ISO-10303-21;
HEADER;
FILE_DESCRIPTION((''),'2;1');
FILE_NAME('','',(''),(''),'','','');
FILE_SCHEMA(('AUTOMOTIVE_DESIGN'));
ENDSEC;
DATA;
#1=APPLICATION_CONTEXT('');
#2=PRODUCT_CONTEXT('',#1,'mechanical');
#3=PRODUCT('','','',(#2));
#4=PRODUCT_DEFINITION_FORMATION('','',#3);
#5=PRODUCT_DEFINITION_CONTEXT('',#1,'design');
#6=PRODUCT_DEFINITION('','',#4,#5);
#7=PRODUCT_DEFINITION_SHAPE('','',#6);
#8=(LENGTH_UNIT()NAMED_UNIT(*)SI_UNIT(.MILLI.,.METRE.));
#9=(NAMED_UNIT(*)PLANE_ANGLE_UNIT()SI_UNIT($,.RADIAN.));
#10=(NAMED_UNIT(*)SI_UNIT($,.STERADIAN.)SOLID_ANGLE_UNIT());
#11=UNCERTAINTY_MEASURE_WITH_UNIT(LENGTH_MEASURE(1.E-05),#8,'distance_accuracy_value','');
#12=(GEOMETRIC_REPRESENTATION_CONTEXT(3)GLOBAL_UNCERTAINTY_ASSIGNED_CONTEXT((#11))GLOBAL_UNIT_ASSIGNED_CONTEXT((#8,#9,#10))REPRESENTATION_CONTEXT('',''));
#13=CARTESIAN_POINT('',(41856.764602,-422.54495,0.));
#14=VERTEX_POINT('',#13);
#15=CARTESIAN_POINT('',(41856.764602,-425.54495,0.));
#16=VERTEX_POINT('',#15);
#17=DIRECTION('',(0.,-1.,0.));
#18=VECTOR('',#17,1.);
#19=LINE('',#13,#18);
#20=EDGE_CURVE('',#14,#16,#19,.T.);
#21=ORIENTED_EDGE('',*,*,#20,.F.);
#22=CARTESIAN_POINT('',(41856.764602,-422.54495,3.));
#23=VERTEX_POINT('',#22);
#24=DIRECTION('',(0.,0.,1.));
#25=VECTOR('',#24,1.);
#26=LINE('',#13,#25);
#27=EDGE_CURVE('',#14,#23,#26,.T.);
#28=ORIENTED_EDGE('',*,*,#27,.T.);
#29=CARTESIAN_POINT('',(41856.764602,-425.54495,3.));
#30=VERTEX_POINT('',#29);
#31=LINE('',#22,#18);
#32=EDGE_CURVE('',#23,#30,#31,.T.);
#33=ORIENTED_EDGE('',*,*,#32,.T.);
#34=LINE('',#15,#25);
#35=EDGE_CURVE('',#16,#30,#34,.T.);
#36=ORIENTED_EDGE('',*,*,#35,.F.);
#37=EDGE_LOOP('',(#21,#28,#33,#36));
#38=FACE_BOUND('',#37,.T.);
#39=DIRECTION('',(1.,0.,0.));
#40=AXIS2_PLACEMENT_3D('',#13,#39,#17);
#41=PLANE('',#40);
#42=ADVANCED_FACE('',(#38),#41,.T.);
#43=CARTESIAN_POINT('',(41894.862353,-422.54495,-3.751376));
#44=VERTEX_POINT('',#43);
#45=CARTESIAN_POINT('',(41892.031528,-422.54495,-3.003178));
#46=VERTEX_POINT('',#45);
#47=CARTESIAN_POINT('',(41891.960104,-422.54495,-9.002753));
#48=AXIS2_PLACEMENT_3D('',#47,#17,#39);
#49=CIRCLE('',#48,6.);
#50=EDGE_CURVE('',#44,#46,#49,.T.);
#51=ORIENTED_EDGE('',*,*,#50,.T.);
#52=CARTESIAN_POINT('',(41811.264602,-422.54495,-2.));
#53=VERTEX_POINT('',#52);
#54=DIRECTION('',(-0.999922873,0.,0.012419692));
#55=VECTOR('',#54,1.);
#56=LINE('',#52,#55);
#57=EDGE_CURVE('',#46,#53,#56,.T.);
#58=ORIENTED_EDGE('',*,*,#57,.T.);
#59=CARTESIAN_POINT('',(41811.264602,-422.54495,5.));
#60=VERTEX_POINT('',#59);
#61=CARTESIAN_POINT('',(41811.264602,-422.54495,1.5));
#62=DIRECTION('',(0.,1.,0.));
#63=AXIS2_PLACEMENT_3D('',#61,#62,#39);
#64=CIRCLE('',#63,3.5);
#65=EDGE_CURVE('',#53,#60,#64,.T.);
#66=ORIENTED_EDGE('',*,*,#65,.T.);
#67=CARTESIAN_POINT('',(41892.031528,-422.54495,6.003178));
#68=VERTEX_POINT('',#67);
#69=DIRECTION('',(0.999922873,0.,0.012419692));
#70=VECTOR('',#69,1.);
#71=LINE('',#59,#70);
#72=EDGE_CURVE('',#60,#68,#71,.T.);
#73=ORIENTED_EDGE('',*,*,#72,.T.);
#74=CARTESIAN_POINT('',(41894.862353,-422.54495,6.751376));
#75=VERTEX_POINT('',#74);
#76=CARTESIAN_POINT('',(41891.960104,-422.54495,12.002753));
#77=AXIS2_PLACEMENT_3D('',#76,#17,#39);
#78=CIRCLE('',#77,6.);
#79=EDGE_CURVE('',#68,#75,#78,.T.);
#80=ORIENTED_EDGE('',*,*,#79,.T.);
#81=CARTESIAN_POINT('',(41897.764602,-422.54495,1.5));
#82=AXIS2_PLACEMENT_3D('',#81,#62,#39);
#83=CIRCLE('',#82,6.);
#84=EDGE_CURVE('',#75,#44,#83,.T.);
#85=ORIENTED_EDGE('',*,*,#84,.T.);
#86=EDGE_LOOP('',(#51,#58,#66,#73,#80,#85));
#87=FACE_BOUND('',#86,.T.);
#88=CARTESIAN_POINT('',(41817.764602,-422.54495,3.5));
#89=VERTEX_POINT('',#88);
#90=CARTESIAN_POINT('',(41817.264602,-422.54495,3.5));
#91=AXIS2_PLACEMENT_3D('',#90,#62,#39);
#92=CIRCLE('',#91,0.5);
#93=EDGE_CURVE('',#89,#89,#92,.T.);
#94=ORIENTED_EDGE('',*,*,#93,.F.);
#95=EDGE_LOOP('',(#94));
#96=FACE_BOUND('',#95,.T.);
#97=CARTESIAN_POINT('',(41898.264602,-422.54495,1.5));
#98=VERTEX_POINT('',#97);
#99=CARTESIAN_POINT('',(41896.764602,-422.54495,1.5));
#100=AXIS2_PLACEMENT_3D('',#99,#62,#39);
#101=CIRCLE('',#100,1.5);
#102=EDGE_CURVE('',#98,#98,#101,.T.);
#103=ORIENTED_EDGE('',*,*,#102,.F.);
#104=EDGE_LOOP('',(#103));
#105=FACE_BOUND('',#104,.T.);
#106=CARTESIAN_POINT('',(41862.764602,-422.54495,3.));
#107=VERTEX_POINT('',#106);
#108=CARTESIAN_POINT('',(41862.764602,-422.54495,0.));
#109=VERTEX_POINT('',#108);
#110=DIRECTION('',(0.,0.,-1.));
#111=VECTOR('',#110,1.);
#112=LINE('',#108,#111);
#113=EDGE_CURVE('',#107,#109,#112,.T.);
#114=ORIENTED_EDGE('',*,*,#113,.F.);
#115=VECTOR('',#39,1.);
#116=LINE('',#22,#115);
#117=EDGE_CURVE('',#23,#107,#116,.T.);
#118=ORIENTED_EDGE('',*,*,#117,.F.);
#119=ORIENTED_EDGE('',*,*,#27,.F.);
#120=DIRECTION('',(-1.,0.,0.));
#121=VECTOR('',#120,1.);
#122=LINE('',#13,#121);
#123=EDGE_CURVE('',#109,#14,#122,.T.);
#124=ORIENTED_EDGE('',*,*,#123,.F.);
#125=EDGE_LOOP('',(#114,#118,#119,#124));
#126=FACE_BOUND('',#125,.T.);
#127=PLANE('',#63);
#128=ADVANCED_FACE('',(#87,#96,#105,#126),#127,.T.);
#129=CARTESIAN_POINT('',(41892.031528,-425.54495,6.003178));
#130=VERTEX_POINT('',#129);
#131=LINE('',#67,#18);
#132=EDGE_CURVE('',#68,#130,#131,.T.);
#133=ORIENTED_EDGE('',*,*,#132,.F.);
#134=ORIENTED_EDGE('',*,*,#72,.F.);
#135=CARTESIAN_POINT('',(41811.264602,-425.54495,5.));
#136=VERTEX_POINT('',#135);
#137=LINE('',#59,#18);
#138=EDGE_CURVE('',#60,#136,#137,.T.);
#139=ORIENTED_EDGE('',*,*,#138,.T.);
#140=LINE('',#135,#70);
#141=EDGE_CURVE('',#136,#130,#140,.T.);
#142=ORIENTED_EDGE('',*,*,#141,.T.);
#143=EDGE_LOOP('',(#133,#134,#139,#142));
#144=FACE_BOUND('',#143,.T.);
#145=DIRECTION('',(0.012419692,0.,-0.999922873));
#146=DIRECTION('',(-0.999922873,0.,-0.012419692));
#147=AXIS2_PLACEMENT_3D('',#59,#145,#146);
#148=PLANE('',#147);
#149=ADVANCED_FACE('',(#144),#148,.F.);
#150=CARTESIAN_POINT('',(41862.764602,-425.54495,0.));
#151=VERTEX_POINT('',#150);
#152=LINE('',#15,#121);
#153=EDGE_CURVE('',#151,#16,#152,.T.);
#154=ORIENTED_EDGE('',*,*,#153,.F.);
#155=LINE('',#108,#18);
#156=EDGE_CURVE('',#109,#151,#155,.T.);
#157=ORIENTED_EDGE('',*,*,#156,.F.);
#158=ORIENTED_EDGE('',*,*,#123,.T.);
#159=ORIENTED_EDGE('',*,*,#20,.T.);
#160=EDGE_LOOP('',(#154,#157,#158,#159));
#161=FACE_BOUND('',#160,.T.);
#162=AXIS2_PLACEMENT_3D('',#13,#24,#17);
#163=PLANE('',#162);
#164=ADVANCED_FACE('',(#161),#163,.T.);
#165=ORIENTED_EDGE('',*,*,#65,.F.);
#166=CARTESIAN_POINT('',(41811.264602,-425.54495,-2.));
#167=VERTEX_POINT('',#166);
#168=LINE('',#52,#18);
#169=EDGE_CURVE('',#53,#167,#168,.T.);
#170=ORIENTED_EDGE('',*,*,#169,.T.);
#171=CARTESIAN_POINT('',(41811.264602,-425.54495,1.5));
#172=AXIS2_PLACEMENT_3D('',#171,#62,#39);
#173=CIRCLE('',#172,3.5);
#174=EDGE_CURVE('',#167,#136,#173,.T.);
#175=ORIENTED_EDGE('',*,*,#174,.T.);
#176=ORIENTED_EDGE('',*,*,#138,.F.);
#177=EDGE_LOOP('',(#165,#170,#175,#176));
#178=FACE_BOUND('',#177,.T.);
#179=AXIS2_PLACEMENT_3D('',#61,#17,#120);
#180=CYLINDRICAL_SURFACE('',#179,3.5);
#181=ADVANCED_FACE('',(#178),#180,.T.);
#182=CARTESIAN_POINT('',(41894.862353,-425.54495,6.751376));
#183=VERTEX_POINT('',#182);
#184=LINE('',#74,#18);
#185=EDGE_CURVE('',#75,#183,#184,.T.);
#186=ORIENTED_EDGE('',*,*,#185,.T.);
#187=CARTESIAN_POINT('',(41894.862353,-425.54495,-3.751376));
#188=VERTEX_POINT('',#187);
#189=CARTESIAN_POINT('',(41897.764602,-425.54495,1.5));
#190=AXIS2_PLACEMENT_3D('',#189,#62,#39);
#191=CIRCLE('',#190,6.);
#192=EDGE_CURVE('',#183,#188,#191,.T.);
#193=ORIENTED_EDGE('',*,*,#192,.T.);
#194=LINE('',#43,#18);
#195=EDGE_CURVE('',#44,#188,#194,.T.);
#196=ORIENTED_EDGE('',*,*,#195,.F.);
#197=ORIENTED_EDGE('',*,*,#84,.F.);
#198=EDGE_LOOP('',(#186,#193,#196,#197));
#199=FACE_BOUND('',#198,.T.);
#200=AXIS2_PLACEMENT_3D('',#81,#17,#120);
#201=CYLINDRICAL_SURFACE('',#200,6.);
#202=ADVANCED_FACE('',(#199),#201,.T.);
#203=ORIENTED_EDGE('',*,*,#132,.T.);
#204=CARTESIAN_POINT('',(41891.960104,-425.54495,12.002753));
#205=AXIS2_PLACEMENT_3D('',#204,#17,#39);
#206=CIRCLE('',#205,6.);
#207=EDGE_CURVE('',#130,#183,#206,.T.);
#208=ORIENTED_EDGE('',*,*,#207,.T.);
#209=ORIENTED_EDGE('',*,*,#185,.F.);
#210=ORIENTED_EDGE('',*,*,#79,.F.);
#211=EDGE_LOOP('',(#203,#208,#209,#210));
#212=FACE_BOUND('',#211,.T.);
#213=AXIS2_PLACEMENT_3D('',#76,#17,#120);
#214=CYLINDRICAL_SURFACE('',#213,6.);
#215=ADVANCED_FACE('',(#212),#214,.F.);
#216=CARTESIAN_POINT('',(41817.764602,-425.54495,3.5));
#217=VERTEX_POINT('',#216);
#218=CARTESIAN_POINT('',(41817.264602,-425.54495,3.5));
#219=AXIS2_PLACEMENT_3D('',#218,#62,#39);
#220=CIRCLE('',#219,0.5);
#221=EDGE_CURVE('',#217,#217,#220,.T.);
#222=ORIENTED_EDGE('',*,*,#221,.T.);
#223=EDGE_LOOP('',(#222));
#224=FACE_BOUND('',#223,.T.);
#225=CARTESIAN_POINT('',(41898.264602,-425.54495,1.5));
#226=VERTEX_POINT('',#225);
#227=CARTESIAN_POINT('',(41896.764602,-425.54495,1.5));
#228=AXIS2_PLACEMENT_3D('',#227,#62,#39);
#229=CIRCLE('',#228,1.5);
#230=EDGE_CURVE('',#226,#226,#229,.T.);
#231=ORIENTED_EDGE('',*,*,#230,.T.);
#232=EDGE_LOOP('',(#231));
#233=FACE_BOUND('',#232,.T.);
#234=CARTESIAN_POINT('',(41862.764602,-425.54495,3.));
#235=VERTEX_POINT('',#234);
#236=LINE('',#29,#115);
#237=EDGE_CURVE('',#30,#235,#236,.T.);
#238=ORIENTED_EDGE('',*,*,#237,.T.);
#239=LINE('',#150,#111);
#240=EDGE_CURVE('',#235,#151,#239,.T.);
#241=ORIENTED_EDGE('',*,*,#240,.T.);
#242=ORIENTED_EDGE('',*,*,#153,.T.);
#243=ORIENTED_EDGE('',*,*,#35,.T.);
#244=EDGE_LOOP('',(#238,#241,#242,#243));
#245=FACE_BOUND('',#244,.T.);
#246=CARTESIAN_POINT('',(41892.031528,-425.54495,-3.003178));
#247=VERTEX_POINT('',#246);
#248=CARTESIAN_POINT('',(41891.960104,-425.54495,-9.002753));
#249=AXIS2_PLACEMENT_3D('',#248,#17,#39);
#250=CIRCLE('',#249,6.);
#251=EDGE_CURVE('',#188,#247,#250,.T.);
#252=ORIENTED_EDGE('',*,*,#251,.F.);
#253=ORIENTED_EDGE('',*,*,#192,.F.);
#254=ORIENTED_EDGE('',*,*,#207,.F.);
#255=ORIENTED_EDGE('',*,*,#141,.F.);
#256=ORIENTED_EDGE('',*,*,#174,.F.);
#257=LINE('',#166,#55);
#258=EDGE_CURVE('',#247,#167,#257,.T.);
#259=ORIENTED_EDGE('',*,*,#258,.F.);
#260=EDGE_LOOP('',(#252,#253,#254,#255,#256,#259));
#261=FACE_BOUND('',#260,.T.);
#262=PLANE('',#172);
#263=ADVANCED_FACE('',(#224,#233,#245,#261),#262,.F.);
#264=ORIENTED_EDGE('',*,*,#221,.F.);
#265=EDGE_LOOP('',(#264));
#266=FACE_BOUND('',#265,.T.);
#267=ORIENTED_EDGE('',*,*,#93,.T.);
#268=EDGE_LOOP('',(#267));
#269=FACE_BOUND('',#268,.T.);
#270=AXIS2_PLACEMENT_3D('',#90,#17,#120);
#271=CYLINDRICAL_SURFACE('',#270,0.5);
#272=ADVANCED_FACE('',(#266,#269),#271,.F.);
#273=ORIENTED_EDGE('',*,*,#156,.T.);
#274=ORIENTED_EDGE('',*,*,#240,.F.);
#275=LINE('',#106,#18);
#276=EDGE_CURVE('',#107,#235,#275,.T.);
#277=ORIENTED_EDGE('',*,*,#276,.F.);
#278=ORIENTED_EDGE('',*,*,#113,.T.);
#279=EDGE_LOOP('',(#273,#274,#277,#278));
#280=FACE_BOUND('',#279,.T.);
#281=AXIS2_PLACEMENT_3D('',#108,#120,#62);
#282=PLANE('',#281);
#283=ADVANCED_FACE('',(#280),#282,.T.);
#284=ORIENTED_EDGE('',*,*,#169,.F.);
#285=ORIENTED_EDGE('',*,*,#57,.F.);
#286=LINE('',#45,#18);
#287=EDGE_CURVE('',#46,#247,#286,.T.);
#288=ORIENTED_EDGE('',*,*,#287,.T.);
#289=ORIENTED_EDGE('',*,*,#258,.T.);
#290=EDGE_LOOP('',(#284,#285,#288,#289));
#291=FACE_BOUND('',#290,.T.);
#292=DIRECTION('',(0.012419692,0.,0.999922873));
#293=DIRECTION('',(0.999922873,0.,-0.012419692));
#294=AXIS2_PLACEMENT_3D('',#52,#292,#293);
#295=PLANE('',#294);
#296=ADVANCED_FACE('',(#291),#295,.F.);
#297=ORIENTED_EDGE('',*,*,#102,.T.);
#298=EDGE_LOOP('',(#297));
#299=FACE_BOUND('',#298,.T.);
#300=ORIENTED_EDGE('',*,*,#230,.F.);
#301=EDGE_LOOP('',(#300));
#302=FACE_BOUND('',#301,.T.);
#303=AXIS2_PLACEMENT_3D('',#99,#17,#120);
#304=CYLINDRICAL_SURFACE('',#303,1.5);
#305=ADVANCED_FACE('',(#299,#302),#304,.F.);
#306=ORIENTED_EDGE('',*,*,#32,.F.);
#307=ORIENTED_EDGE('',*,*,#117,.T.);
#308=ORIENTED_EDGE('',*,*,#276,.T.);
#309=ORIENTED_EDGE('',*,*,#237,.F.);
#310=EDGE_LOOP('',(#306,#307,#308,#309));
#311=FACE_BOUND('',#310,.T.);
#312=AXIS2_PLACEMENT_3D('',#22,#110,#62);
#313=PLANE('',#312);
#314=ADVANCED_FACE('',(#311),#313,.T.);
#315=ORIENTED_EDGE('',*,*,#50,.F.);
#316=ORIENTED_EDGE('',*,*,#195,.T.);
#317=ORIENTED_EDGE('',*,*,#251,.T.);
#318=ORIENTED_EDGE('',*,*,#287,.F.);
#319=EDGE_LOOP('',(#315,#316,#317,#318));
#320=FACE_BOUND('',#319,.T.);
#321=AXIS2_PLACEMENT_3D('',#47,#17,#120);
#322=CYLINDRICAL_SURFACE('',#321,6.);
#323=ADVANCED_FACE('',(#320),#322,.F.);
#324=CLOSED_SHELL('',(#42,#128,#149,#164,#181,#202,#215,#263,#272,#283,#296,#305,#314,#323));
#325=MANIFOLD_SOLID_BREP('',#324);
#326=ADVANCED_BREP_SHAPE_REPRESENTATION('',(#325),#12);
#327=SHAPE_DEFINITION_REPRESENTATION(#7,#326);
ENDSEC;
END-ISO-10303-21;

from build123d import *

# Parameters (mm, degrees)
CROQUIS1_R                 = 0.5
CROQUIS1_R_2               = 1.5
CROQUIS1_W                 = 6
CROQUIS1_H                 = 3
SALIENTE_EXTRUIR1_DEPTH    = 3
S_LIDO_MOVER_COPIAR1_ANGLE = 90


with BuildPart() as part:
    # Croquis1 → Saliente-Extruir1 (new body)
    with BuildSketch(Plane.XY):
        with BuildLine():
            Line((41811.264601562, -420.544949858), (41892.031527809, -419.541772165))
            ThreePointArc((41892.031527809, -419.541772165), (41893.493281322, -419.343004838), (41894.86235293, -418.793573574))
            ThreePointArc((41894.86235293, -418.793573574), (41903.764601562, -424.044949858), (41894.86235293, -429.296326142))
            ThreePointArc((41894.86235293, -429.296326142), (41893.493281322, -428.746894878), (41892.031527809, -428.548127552))
            Line((41892.031527809, -428.548127552), (41811.264601555, -427.544949858))
            ThreePointArc((41811.264601555, -427.544949858), (41807.764601562, -424.044949855), (41811.264601562, -420.544949858))
        make_face()
        with Locations((41817.264601562, -426.044949857)):
            Circle(CROQUIS1_R, mode=Mode.SUBTRACT)
        with Locations((41896.764601562, -424.044949858)):
            Circle(CROQUIS1_R_2, mode=Mode.SUBTRACT)
        with Locations((41859.764601562, -424.044949858)):
            Rectangle(CROQUIS1_W, CROQUIS1_H, mode=Mode.SUBTRACT)
    extrude(amount=SALIENTE_EXTRUIR1_DEPTH)


with BuildPart() as part_1:
    # Sólido-Mover/Copiar1: moved
    add(part.part.rotate(Axis((0, -424.044949858, 1.5), (-1, 0, 0)), S_LIDO_MOVER_COPIAR1_ANGLE))


solid = part_1.part
